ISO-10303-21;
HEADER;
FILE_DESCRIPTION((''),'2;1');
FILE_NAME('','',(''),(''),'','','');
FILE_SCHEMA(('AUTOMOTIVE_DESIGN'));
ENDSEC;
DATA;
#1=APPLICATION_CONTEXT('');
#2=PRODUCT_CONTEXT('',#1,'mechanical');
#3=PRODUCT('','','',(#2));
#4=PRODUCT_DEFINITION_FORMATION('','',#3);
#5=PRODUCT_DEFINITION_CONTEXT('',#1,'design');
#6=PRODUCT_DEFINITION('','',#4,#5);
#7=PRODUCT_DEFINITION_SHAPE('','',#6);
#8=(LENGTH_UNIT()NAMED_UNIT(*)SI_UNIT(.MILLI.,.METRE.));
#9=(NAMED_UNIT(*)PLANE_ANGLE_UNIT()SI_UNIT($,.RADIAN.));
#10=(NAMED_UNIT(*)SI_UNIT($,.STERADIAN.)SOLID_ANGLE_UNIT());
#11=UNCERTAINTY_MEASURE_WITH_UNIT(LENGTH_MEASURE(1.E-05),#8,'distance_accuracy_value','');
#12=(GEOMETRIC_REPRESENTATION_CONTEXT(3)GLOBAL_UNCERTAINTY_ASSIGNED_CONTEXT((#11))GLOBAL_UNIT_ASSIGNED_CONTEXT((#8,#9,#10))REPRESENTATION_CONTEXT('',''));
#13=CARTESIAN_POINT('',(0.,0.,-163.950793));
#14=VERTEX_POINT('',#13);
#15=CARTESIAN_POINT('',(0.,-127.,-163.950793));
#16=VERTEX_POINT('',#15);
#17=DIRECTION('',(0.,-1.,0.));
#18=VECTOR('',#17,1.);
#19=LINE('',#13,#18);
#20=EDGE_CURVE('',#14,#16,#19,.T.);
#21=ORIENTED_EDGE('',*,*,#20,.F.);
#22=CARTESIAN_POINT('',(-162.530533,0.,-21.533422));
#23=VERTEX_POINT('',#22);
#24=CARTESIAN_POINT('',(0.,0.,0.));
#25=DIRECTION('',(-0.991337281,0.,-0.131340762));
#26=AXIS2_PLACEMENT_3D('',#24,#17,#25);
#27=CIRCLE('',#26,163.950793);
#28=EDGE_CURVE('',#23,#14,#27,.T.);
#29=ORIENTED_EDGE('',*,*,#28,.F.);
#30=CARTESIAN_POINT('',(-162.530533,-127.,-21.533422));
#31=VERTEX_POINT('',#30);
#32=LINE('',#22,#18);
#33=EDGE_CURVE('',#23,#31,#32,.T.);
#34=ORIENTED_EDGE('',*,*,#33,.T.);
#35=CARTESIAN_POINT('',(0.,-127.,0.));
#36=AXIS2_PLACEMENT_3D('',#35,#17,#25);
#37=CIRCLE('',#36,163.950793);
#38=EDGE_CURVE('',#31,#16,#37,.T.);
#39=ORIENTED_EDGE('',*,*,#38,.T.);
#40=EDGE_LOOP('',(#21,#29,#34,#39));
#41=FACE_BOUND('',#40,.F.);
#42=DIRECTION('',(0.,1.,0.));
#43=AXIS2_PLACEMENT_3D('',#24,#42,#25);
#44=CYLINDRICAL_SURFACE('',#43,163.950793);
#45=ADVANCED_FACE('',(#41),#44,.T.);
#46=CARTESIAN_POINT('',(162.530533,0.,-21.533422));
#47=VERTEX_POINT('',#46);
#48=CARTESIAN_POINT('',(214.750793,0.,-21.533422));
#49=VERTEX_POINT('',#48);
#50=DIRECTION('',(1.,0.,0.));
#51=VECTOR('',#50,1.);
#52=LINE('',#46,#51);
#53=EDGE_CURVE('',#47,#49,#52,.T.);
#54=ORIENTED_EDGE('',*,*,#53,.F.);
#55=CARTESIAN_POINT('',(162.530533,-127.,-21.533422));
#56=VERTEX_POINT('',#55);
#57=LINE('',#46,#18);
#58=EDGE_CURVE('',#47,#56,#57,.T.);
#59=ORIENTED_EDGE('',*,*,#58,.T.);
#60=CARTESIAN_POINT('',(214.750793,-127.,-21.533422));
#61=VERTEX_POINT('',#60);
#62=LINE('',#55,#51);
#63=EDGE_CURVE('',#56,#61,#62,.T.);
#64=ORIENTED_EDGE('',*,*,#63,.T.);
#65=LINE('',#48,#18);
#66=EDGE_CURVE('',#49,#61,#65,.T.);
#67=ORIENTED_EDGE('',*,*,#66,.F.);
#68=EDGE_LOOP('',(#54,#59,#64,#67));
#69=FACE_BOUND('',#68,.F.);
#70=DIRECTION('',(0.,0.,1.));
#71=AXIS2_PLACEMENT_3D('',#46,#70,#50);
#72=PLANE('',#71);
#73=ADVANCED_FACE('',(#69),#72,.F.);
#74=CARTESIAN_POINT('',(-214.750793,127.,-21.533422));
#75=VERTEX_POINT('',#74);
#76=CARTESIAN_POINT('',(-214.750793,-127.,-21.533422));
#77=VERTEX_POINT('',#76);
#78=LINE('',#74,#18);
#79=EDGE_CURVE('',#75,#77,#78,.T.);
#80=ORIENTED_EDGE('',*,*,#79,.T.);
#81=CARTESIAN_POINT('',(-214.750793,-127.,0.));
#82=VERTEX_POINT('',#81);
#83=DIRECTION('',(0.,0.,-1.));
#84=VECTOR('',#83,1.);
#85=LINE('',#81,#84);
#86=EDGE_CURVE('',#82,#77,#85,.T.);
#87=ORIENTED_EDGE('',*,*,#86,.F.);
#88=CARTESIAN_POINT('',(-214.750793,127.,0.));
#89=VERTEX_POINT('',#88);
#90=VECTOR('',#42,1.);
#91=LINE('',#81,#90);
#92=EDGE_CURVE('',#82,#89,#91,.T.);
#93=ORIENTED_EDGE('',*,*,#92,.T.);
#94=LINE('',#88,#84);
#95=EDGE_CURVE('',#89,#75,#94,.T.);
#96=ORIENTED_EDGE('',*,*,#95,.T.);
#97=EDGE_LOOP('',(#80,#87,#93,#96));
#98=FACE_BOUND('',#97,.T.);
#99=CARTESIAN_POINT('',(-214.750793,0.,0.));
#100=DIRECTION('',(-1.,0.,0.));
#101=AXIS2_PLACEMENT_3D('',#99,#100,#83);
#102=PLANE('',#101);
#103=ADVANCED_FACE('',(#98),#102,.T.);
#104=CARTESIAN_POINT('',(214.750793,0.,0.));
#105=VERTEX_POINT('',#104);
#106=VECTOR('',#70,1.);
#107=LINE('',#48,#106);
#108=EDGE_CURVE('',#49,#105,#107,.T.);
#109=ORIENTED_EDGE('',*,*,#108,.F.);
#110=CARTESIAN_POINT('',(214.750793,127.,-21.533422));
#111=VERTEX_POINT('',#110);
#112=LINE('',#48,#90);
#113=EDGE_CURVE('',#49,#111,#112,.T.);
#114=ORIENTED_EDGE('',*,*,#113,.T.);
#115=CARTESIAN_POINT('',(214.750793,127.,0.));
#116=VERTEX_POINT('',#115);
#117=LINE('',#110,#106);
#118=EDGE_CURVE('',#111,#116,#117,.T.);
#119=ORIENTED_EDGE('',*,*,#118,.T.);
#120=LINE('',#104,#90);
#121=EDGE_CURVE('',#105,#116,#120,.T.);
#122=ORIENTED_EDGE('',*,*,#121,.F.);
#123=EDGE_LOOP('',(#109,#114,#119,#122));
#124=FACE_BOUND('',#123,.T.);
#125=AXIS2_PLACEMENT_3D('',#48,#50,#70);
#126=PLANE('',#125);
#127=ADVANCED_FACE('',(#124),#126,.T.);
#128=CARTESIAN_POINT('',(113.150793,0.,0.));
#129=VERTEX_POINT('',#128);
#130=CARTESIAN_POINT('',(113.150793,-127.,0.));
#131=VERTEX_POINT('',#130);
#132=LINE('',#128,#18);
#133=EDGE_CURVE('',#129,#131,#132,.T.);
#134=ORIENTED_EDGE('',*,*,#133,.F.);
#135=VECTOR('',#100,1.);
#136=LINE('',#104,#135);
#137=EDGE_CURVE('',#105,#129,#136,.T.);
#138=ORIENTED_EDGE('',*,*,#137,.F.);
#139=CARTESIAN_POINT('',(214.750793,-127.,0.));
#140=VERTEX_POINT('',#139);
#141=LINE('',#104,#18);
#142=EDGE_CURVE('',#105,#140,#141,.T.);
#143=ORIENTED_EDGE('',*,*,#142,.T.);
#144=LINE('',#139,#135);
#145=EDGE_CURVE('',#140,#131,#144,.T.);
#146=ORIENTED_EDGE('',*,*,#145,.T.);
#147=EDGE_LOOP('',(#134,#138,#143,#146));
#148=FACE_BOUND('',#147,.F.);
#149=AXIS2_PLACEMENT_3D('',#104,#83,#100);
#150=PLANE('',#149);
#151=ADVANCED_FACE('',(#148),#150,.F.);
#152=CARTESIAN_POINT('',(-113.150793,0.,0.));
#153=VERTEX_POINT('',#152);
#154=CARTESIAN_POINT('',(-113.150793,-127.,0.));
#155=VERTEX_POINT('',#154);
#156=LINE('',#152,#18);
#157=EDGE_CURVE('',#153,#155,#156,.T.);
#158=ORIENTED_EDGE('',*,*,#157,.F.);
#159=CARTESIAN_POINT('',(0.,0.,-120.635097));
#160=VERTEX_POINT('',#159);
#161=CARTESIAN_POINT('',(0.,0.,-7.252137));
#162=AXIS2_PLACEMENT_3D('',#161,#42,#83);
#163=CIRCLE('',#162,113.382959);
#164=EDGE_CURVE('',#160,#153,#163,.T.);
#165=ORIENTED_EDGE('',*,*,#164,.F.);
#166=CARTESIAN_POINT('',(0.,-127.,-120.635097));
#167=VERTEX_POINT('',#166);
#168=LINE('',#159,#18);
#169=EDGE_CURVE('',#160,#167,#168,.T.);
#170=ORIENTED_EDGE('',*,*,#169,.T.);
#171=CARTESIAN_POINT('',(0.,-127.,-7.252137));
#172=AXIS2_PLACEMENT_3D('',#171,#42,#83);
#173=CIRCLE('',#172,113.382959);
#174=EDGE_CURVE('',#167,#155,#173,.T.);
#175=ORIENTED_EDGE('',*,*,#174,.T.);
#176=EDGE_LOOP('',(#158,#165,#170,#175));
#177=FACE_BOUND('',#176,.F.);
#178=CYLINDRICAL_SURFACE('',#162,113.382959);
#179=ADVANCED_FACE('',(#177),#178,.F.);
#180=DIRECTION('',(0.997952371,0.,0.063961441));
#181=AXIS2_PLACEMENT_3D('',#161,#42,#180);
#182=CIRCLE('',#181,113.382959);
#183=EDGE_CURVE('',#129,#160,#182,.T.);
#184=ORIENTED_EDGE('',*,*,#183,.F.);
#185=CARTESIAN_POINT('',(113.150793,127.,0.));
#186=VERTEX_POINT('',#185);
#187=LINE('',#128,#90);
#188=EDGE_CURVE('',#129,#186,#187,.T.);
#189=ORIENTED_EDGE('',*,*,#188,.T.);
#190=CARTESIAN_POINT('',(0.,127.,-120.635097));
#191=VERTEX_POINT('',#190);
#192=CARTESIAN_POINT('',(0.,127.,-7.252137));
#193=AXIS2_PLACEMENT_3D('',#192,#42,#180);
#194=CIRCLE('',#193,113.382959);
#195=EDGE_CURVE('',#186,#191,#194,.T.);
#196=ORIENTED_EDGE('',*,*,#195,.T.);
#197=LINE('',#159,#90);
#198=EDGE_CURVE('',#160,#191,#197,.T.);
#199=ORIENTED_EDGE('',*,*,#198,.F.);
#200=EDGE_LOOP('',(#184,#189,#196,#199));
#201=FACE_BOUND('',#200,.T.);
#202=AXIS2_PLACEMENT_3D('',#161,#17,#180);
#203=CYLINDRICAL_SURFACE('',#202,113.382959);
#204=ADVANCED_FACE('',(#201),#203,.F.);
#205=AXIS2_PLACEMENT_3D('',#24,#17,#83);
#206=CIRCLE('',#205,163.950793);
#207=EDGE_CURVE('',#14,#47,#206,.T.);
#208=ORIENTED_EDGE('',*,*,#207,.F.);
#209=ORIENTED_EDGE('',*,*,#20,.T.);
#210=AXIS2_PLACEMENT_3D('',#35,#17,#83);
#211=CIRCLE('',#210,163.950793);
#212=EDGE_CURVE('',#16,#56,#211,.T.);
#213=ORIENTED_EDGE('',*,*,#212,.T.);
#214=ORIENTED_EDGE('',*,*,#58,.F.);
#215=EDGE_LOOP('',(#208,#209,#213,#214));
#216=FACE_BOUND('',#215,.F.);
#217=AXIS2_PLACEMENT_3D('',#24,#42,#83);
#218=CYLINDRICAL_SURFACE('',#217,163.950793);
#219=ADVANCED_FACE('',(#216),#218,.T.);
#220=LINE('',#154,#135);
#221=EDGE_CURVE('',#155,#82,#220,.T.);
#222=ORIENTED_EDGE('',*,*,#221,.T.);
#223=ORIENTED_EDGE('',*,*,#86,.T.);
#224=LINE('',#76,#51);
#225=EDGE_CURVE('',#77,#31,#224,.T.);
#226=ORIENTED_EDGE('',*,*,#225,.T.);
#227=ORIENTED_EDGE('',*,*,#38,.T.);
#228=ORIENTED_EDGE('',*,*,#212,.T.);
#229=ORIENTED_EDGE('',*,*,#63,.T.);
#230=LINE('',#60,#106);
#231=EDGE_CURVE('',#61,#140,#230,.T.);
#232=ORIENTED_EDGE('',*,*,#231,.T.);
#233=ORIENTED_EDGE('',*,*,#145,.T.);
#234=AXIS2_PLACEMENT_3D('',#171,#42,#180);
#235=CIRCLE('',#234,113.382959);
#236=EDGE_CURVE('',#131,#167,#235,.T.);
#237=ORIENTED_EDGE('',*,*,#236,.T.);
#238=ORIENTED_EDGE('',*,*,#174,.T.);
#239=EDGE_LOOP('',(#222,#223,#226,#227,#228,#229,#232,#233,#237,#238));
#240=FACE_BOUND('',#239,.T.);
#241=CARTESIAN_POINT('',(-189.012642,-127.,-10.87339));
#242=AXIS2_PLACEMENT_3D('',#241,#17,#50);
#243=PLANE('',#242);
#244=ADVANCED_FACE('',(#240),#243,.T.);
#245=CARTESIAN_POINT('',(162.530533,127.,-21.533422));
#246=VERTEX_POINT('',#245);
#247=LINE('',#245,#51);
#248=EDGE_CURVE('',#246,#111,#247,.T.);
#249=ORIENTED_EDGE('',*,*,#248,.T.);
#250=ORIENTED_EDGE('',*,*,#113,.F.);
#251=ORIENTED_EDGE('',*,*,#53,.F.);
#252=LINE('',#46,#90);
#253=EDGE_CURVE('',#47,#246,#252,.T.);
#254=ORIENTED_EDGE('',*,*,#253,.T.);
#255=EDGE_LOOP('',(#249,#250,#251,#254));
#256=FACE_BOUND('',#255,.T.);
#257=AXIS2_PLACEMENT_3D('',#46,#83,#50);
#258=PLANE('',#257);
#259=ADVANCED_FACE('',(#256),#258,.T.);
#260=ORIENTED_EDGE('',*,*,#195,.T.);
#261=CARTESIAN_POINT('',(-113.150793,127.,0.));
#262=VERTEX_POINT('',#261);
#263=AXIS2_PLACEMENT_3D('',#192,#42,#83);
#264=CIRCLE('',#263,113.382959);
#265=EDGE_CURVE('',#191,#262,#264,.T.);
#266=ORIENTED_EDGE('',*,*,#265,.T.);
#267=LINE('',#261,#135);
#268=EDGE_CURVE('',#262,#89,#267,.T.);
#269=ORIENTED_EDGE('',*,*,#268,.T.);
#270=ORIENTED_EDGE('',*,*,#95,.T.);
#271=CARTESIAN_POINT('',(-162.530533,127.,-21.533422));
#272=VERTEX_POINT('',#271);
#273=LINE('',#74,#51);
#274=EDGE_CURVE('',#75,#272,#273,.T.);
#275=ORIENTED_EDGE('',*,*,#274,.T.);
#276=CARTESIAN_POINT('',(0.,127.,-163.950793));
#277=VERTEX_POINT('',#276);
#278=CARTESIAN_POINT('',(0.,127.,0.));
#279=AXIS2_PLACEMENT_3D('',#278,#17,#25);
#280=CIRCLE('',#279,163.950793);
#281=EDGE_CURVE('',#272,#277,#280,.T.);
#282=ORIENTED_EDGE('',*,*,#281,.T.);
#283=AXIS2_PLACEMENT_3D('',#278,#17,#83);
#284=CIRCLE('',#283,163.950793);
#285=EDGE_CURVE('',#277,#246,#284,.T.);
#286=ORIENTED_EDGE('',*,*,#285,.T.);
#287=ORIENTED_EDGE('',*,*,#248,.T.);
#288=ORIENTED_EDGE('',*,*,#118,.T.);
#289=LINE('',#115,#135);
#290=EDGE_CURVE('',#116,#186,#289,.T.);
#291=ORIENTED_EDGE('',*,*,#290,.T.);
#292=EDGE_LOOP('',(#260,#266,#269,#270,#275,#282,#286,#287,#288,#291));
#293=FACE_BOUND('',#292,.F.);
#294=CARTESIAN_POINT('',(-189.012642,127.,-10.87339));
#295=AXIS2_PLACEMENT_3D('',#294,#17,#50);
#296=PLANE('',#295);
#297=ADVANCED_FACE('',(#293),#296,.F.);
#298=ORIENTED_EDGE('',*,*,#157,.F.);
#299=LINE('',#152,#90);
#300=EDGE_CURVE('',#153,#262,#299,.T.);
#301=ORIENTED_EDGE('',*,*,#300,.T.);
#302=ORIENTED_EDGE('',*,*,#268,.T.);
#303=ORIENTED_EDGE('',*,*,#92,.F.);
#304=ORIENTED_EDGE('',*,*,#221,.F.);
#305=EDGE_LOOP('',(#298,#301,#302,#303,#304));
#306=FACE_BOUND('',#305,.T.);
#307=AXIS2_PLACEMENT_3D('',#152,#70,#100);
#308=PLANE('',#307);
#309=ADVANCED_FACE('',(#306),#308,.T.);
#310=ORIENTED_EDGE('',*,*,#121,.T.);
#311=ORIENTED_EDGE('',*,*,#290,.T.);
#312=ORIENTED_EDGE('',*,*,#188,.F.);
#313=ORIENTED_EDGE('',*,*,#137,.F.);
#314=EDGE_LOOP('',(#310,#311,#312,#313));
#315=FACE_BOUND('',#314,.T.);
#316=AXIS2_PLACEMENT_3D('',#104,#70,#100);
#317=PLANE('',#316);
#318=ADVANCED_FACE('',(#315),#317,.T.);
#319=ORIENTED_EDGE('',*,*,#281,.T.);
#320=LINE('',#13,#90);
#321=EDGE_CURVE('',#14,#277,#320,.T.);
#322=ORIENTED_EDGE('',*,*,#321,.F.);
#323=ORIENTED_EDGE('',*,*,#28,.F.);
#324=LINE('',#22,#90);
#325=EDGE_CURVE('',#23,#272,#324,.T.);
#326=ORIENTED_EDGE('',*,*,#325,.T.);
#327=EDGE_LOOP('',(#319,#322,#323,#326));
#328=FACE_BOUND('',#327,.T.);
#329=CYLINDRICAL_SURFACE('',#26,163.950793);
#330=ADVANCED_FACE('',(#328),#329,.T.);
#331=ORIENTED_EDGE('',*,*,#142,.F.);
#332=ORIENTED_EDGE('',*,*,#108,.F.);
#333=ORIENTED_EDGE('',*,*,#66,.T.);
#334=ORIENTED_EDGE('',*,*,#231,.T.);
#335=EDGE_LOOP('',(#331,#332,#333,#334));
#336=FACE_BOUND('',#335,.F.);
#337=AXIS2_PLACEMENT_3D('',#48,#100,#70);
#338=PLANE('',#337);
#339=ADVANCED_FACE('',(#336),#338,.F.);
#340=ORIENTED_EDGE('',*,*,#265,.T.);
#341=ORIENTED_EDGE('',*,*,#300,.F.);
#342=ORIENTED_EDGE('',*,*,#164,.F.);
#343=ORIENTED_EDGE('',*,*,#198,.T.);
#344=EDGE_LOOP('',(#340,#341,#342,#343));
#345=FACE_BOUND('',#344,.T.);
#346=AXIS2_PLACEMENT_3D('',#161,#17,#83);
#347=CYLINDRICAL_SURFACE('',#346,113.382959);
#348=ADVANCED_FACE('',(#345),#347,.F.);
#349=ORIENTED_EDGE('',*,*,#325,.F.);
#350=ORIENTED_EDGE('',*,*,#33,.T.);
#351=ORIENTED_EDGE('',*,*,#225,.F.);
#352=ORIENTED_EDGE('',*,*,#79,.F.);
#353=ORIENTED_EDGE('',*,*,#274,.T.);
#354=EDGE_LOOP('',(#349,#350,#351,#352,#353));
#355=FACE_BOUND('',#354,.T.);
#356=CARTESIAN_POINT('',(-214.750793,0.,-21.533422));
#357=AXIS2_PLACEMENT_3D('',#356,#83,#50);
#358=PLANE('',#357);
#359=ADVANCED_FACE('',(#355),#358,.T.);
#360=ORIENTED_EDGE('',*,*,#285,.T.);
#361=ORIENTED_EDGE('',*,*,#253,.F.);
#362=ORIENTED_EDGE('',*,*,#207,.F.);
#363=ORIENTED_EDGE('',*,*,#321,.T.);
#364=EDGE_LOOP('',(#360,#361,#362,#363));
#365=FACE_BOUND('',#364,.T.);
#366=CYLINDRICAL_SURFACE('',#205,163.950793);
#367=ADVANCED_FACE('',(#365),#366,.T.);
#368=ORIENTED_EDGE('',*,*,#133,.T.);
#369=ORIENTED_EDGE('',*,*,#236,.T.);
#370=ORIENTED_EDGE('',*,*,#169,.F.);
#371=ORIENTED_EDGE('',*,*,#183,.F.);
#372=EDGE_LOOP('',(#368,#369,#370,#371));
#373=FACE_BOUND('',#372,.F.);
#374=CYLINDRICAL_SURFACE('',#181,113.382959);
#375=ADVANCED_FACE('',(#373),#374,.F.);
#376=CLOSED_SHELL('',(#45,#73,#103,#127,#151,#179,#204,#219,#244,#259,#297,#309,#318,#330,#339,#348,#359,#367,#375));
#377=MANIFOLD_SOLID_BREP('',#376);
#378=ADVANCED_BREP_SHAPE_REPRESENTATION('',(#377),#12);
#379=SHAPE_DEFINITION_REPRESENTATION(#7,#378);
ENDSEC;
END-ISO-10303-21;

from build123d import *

# Parameters (mm, degrees)
F1_DEPTH = 127


with BuildPart() as f1:
    # F0 (on Front) → F1 (new body, symmetric)
    with BuildSketch(Plane.XZ):
        with BuildLine():
            ThreePointArc((-162.5305334882, -21.5334221721), (-163.5953429484, -10.790104356), (-163.9507931863, 0))
            Line((-163.9507931863, 0), (-214.7507931863, 0))
            Line((-214.7507931863, 0), (-214.7507931863, -21.5334221721))
            Line((-214.7507931863, -21.5334221721), (-162.5305334882, -21.5334221721))
        make_face()
        with BuildLine():
            Line((214.7507931863, 0), (163.9507931863, 0))
            ThreePointArc((163.9507931863, 0), (163.5953429484, -10.790104356), (162.5305334882, -21.5334221721))
            Line((162.5305334882, -21.5334221721), (214.7507931863, -21.5334221721))
            Line((214.7507931863, -21.5334221721), (214.7507931863, 0))
        make_face()
        with BuildLine():
            Line((0, -163.9507931863), (0, -120.6350969457))
            ThreePointArc((0, -120.6350969457), (-77.5674760663, -89.9502762364), (-113.1507931863, -14.504274964))
            Line((-113.1507931863, -14.504274964), (-113.1507931863, -21.5334221721))
            Line((-113.1507931863, -21.5334221721), (-162.5305334882, -21.5334221721))
            ThreePointArc((-162.5305334882, -21.5334221721), (-108.0496204095, -123.3091323291), (0, -163.9507931863))
        make_face()
        with BuildLine():
            ThreePointArc((113.1507931863, -14.504274964), (77.5674760663, -89.9502762364), (0, -120.6350969457))
            Line((0, -120.6350969457), (0, -163.9507931863))
            ThreePointArc((0, -163.9507931863), (108.0496204095, -123.3091323291), (162.5305334882, -21.5334221721))
            Line((162.5305334882, -21.5334221721), (113.1507931863, -21.5334221721))
            Line((113.1507931863, -21.5334221721), (113.1507931863, -14.504274964))
        make_face()
        with BuildLine():
            Line((-113.1507931863, 0), (-163.9507931863, 0))
            ThreePointArc((-163.9507931863, 0), (-163.5953429484, -10.790104356), (-162.5305334882, -21.5334221721))
            Line((-162.5305334882, -21.5334221721), (-113.1507931863, -21.5334221721))
            Line((-113.1507931863, -21.5334221721), (-113.1507931863, -14.504274964))
            ThreePointArc((-113.1507931863, -14.504274964), (-113.3829594637, -7.252137482), (-113.1507931863, 0))
        make_face()
        with BuildLine():
            ThreePointArc((162.5305334882, -21.5334221721), (163.5953429484, -10.790104356), (163.9507931863, 0))
            Line((163.9507931863, 0), (113.1507931863, 0))
            ThreePointArc((113.1507931863, 0), (113.3829594637, -7.252137482), (113.1507931863, -14.504274964))
            Line((113.1507931863, -14.504274964), (113.1507931863, -21.5334221721))
            Line((113.1507931863, -21.5334221721), (162.5305334882, -21.5334221721))
        make_face()
    extrude(amount=F1_DEPTH, both=True)


solid = f1.part
